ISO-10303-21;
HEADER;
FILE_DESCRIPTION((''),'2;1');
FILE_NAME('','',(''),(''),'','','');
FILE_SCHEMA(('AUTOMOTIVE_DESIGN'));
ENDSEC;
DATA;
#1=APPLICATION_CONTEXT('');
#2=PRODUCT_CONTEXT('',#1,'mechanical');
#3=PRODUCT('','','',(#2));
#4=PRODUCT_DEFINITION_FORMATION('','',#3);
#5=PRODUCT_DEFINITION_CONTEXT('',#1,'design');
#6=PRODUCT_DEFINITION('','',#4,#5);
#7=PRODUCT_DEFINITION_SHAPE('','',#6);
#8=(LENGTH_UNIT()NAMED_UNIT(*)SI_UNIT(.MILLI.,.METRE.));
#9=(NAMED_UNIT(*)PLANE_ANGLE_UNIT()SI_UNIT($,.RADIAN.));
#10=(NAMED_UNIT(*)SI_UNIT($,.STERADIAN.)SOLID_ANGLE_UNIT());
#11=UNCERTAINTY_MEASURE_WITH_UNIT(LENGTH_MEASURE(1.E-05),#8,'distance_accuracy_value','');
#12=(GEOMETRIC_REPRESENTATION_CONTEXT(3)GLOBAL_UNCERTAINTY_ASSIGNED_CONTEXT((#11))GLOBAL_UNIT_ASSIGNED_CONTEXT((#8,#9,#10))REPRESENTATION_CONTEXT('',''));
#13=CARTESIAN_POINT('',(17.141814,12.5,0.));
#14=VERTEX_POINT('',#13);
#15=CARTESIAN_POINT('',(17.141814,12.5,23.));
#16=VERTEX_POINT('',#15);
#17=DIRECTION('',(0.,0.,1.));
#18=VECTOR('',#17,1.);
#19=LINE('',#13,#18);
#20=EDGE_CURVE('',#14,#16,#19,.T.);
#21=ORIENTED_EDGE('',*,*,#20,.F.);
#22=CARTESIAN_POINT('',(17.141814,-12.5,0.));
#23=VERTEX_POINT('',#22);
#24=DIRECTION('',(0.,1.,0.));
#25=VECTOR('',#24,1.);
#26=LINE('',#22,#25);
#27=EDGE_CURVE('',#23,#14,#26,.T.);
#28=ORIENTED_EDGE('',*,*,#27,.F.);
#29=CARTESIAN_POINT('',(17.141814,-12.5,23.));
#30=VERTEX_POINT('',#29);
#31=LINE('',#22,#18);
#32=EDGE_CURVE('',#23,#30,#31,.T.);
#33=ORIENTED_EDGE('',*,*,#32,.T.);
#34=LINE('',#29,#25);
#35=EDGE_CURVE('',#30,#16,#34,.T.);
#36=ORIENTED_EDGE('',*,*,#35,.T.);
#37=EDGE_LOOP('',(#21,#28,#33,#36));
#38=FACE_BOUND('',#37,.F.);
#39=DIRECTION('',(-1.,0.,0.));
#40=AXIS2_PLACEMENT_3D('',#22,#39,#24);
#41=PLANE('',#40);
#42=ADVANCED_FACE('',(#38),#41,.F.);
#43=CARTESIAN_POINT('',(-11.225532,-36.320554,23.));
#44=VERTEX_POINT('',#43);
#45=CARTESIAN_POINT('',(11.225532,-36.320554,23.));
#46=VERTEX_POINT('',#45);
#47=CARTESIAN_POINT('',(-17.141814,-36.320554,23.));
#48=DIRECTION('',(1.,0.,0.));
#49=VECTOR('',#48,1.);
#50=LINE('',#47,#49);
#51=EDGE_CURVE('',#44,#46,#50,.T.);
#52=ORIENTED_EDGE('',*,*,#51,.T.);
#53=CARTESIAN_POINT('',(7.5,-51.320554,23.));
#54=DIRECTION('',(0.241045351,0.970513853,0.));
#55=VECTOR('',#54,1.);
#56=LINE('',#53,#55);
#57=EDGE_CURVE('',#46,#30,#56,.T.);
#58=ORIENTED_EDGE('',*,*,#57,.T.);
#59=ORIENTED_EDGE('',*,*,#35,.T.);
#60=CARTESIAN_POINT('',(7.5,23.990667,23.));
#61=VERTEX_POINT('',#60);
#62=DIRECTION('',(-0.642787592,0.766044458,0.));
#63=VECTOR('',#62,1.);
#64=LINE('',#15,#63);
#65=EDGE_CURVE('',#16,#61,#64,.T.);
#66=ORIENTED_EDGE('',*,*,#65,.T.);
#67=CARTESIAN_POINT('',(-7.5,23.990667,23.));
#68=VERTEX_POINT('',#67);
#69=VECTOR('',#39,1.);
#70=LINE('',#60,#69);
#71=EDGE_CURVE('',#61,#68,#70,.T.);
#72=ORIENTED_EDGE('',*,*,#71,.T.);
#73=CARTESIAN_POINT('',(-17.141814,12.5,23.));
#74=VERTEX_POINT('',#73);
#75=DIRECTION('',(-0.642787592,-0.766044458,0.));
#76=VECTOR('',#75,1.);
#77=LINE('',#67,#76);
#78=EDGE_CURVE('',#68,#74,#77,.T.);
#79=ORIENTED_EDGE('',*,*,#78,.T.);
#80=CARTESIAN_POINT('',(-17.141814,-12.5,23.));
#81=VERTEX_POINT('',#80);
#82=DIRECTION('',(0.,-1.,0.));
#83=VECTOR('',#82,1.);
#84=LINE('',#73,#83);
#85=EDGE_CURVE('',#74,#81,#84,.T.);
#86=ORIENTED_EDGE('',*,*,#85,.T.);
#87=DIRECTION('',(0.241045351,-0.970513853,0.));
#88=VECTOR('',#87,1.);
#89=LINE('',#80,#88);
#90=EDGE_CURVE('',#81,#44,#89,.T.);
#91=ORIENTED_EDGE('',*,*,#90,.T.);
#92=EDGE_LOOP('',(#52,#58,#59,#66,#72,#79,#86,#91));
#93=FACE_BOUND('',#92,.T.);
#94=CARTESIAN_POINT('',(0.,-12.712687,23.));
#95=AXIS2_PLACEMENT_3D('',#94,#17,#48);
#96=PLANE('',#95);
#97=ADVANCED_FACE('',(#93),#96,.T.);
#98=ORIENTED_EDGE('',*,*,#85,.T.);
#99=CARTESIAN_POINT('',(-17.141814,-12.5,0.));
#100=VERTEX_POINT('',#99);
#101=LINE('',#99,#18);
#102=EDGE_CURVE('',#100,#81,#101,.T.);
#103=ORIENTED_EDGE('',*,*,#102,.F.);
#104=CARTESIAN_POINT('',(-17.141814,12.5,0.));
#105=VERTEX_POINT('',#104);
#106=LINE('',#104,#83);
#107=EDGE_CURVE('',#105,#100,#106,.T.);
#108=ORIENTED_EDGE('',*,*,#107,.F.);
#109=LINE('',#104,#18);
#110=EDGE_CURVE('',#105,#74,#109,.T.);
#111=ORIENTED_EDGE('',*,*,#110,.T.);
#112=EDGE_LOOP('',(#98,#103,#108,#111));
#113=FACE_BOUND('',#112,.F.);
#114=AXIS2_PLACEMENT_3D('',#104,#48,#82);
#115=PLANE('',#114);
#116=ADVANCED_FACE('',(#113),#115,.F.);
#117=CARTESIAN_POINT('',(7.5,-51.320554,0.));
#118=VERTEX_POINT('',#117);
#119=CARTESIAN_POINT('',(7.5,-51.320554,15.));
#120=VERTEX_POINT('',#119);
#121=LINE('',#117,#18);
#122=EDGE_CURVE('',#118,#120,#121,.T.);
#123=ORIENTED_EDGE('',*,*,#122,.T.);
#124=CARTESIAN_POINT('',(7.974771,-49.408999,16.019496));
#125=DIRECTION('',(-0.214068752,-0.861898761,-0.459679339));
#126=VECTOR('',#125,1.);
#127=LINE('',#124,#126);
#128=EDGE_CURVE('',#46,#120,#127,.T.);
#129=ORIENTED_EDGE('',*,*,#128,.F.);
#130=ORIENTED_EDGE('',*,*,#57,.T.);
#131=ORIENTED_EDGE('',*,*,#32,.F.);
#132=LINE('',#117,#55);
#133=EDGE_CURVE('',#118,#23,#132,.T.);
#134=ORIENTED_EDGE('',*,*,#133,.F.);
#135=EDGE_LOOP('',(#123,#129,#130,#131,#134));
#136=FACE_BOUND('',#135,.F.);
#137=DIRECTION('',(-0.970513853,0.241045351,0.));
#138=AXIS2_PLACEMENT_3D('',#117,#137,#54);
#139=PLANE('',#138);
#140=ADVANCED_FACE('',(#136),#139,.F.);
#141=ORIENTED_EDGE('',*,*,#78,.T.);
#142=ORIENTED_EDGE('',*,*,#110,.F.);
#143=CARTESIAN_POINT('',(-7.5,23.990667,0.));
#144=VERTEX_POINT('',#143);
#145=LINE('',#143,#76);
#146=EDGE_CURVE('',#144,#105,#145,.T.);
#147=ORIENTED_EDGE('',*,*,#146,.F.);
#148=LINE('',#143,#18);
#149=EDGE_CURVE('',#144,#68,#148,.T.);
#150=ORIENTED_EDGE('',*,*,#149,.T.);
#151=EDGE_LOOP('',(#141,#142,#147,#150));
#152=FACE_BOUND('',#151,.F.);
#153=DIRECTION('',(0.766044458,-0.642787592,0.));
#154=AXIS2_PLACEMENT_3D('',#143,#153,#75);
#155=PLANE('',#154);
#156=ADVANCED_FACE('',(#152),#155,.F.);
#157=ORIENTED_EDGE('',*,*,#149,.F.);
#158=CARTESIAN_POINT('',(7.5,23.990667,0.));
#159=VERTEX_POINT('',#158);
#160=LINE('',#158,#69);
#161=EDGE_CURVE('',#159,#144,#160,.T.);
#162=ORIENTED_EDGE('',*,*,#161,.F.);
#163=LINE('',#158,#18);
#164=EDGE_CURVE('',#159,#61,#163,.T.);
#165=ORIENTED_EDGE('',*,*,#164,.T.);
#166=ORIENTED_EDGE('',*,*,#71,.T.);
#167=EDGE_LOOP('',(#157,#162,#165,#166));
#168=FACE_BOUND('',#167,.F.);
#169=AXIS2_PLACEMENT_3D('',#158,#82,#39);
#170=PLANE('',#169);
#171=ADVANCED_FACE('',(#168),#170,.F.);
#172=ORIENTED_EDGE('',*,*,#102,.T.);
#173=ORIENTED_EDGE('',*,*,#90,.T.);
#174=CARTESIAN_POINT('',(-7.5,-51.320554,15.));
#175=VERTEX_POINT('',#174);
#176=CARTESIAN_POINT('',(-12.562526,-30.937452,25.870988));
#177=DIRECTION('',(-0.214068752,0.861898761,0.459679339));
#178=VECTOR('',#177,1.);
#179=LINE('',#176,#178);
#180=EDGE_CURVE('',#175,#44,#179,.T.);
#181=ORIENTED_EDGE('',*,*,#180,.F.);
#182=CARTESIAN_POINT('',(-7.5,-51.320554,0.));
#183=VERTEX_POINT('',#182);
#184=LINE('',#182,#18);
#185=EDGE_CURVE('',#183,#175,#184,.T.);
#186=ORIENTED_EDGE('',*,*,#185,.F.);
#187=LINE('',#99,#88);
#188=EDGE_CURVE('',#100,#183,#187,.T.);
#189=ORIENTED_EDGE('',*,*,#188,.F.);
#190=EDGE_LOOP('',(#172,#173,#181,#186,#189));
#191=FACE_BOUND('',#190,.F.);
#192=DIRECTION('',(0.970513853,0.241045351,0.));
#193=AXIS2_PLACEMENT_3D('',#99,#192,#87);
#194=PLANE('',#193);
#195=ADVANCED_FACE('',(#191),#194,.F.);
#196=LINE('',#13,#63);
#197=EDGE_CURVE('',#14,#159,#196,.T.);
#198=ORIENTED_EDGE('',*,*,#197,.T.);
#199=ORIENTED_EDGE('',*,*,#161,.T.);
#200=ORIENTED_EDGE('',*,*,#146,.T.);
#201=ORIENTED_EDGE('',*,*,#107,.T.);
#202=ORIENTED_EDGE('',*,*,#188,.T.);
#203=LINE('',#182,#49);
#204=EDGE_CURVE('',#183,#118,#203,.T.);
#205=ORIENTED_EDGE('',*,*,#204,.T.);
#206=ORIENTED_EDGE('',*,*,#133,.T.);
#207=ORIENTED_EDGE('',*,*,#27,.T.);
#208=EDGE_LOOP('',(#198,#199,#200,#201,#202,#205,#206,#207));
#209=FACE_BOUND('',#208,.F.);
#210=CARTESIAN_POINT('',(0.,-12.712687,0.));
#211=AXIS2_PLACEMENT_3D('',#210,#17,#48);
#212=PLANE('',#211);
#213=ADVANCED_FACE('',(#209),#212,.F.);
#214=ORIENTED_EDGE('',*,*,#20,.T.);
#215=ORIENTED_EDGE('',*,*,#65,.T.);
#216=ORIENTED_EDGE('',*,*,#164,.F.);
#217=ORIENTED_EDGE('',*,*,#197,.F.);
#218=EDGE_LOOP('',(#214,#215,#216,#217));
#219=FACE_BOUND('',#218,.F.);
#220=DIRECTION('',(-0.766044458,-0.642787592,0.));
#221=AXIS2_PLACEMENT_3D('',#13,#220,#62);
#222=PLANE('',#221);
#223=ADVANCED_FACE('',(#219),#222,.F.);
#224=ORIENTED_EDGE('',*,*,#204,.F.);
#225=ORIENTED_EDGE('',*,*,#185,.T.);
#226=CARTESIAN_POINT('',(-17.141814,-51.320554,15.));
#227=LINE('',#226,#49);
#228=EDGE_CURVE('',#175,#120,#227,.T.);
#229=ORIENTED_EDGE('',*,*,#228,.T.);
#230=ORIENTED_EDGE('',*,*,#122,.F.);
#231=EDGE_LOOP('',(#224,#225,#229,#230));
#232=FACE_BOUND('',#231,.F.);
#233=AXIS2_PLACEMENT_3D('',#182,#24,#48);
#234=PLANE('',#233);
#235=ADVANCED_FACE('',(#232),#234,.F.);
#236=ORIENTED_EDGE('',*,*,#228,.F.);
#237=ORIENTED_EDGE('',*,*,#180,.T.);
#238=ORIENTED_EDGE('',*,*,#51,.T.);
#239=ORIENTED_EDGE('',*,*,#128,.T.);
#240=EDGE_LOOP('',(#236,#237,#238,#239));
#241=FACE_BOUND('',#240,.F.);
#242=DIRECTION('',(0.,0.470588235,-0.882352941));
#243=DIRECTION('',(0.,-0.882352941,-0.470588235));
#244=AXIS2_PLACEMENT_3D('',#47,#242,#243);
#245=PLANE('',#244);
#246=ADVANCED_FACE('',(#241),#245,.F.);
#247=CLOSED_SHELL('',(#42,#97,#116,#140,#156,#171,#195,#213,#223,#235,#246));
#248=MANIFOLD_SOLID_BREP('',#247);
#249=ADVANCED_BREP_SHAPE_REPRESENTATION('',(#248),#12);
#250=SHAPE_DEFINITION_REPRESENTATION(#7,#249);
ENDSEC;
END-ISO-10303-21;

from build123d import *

# Parameters (mm, degrees)
F1_DEPTH = 23
F3_DEPTH = 35


with BuildPart() as f1:
    # F0 (on Top) → F1 (new body)
    with BuildSketch(Plane.XY):
        Polygon((7.5, 23.990667), (-7.5, 23.990667), (-17.141814, 12.5), (-17.141814, -12.5), (-7.5, -51.320554), (7.5, -51.320554), (17.141814, -12.5), (17.141814, 12.5), align=None)
    extrude(amount=F1_DEPTH)

    # F2 (on face) → F3 (cut)
    with BuildSketch(Plane(origin=(-17.141814, 0, 0), x_dir=(0, -1, 0), z_dir=(-1, 0, 0))):
        Polygon((36.320554, 23), (51.320554, 15), (51.320554, 23), align=None)
    extrude(amount=-F3_DEPTH, mode=Mode.SUBTRACT)


solid = f1.part
